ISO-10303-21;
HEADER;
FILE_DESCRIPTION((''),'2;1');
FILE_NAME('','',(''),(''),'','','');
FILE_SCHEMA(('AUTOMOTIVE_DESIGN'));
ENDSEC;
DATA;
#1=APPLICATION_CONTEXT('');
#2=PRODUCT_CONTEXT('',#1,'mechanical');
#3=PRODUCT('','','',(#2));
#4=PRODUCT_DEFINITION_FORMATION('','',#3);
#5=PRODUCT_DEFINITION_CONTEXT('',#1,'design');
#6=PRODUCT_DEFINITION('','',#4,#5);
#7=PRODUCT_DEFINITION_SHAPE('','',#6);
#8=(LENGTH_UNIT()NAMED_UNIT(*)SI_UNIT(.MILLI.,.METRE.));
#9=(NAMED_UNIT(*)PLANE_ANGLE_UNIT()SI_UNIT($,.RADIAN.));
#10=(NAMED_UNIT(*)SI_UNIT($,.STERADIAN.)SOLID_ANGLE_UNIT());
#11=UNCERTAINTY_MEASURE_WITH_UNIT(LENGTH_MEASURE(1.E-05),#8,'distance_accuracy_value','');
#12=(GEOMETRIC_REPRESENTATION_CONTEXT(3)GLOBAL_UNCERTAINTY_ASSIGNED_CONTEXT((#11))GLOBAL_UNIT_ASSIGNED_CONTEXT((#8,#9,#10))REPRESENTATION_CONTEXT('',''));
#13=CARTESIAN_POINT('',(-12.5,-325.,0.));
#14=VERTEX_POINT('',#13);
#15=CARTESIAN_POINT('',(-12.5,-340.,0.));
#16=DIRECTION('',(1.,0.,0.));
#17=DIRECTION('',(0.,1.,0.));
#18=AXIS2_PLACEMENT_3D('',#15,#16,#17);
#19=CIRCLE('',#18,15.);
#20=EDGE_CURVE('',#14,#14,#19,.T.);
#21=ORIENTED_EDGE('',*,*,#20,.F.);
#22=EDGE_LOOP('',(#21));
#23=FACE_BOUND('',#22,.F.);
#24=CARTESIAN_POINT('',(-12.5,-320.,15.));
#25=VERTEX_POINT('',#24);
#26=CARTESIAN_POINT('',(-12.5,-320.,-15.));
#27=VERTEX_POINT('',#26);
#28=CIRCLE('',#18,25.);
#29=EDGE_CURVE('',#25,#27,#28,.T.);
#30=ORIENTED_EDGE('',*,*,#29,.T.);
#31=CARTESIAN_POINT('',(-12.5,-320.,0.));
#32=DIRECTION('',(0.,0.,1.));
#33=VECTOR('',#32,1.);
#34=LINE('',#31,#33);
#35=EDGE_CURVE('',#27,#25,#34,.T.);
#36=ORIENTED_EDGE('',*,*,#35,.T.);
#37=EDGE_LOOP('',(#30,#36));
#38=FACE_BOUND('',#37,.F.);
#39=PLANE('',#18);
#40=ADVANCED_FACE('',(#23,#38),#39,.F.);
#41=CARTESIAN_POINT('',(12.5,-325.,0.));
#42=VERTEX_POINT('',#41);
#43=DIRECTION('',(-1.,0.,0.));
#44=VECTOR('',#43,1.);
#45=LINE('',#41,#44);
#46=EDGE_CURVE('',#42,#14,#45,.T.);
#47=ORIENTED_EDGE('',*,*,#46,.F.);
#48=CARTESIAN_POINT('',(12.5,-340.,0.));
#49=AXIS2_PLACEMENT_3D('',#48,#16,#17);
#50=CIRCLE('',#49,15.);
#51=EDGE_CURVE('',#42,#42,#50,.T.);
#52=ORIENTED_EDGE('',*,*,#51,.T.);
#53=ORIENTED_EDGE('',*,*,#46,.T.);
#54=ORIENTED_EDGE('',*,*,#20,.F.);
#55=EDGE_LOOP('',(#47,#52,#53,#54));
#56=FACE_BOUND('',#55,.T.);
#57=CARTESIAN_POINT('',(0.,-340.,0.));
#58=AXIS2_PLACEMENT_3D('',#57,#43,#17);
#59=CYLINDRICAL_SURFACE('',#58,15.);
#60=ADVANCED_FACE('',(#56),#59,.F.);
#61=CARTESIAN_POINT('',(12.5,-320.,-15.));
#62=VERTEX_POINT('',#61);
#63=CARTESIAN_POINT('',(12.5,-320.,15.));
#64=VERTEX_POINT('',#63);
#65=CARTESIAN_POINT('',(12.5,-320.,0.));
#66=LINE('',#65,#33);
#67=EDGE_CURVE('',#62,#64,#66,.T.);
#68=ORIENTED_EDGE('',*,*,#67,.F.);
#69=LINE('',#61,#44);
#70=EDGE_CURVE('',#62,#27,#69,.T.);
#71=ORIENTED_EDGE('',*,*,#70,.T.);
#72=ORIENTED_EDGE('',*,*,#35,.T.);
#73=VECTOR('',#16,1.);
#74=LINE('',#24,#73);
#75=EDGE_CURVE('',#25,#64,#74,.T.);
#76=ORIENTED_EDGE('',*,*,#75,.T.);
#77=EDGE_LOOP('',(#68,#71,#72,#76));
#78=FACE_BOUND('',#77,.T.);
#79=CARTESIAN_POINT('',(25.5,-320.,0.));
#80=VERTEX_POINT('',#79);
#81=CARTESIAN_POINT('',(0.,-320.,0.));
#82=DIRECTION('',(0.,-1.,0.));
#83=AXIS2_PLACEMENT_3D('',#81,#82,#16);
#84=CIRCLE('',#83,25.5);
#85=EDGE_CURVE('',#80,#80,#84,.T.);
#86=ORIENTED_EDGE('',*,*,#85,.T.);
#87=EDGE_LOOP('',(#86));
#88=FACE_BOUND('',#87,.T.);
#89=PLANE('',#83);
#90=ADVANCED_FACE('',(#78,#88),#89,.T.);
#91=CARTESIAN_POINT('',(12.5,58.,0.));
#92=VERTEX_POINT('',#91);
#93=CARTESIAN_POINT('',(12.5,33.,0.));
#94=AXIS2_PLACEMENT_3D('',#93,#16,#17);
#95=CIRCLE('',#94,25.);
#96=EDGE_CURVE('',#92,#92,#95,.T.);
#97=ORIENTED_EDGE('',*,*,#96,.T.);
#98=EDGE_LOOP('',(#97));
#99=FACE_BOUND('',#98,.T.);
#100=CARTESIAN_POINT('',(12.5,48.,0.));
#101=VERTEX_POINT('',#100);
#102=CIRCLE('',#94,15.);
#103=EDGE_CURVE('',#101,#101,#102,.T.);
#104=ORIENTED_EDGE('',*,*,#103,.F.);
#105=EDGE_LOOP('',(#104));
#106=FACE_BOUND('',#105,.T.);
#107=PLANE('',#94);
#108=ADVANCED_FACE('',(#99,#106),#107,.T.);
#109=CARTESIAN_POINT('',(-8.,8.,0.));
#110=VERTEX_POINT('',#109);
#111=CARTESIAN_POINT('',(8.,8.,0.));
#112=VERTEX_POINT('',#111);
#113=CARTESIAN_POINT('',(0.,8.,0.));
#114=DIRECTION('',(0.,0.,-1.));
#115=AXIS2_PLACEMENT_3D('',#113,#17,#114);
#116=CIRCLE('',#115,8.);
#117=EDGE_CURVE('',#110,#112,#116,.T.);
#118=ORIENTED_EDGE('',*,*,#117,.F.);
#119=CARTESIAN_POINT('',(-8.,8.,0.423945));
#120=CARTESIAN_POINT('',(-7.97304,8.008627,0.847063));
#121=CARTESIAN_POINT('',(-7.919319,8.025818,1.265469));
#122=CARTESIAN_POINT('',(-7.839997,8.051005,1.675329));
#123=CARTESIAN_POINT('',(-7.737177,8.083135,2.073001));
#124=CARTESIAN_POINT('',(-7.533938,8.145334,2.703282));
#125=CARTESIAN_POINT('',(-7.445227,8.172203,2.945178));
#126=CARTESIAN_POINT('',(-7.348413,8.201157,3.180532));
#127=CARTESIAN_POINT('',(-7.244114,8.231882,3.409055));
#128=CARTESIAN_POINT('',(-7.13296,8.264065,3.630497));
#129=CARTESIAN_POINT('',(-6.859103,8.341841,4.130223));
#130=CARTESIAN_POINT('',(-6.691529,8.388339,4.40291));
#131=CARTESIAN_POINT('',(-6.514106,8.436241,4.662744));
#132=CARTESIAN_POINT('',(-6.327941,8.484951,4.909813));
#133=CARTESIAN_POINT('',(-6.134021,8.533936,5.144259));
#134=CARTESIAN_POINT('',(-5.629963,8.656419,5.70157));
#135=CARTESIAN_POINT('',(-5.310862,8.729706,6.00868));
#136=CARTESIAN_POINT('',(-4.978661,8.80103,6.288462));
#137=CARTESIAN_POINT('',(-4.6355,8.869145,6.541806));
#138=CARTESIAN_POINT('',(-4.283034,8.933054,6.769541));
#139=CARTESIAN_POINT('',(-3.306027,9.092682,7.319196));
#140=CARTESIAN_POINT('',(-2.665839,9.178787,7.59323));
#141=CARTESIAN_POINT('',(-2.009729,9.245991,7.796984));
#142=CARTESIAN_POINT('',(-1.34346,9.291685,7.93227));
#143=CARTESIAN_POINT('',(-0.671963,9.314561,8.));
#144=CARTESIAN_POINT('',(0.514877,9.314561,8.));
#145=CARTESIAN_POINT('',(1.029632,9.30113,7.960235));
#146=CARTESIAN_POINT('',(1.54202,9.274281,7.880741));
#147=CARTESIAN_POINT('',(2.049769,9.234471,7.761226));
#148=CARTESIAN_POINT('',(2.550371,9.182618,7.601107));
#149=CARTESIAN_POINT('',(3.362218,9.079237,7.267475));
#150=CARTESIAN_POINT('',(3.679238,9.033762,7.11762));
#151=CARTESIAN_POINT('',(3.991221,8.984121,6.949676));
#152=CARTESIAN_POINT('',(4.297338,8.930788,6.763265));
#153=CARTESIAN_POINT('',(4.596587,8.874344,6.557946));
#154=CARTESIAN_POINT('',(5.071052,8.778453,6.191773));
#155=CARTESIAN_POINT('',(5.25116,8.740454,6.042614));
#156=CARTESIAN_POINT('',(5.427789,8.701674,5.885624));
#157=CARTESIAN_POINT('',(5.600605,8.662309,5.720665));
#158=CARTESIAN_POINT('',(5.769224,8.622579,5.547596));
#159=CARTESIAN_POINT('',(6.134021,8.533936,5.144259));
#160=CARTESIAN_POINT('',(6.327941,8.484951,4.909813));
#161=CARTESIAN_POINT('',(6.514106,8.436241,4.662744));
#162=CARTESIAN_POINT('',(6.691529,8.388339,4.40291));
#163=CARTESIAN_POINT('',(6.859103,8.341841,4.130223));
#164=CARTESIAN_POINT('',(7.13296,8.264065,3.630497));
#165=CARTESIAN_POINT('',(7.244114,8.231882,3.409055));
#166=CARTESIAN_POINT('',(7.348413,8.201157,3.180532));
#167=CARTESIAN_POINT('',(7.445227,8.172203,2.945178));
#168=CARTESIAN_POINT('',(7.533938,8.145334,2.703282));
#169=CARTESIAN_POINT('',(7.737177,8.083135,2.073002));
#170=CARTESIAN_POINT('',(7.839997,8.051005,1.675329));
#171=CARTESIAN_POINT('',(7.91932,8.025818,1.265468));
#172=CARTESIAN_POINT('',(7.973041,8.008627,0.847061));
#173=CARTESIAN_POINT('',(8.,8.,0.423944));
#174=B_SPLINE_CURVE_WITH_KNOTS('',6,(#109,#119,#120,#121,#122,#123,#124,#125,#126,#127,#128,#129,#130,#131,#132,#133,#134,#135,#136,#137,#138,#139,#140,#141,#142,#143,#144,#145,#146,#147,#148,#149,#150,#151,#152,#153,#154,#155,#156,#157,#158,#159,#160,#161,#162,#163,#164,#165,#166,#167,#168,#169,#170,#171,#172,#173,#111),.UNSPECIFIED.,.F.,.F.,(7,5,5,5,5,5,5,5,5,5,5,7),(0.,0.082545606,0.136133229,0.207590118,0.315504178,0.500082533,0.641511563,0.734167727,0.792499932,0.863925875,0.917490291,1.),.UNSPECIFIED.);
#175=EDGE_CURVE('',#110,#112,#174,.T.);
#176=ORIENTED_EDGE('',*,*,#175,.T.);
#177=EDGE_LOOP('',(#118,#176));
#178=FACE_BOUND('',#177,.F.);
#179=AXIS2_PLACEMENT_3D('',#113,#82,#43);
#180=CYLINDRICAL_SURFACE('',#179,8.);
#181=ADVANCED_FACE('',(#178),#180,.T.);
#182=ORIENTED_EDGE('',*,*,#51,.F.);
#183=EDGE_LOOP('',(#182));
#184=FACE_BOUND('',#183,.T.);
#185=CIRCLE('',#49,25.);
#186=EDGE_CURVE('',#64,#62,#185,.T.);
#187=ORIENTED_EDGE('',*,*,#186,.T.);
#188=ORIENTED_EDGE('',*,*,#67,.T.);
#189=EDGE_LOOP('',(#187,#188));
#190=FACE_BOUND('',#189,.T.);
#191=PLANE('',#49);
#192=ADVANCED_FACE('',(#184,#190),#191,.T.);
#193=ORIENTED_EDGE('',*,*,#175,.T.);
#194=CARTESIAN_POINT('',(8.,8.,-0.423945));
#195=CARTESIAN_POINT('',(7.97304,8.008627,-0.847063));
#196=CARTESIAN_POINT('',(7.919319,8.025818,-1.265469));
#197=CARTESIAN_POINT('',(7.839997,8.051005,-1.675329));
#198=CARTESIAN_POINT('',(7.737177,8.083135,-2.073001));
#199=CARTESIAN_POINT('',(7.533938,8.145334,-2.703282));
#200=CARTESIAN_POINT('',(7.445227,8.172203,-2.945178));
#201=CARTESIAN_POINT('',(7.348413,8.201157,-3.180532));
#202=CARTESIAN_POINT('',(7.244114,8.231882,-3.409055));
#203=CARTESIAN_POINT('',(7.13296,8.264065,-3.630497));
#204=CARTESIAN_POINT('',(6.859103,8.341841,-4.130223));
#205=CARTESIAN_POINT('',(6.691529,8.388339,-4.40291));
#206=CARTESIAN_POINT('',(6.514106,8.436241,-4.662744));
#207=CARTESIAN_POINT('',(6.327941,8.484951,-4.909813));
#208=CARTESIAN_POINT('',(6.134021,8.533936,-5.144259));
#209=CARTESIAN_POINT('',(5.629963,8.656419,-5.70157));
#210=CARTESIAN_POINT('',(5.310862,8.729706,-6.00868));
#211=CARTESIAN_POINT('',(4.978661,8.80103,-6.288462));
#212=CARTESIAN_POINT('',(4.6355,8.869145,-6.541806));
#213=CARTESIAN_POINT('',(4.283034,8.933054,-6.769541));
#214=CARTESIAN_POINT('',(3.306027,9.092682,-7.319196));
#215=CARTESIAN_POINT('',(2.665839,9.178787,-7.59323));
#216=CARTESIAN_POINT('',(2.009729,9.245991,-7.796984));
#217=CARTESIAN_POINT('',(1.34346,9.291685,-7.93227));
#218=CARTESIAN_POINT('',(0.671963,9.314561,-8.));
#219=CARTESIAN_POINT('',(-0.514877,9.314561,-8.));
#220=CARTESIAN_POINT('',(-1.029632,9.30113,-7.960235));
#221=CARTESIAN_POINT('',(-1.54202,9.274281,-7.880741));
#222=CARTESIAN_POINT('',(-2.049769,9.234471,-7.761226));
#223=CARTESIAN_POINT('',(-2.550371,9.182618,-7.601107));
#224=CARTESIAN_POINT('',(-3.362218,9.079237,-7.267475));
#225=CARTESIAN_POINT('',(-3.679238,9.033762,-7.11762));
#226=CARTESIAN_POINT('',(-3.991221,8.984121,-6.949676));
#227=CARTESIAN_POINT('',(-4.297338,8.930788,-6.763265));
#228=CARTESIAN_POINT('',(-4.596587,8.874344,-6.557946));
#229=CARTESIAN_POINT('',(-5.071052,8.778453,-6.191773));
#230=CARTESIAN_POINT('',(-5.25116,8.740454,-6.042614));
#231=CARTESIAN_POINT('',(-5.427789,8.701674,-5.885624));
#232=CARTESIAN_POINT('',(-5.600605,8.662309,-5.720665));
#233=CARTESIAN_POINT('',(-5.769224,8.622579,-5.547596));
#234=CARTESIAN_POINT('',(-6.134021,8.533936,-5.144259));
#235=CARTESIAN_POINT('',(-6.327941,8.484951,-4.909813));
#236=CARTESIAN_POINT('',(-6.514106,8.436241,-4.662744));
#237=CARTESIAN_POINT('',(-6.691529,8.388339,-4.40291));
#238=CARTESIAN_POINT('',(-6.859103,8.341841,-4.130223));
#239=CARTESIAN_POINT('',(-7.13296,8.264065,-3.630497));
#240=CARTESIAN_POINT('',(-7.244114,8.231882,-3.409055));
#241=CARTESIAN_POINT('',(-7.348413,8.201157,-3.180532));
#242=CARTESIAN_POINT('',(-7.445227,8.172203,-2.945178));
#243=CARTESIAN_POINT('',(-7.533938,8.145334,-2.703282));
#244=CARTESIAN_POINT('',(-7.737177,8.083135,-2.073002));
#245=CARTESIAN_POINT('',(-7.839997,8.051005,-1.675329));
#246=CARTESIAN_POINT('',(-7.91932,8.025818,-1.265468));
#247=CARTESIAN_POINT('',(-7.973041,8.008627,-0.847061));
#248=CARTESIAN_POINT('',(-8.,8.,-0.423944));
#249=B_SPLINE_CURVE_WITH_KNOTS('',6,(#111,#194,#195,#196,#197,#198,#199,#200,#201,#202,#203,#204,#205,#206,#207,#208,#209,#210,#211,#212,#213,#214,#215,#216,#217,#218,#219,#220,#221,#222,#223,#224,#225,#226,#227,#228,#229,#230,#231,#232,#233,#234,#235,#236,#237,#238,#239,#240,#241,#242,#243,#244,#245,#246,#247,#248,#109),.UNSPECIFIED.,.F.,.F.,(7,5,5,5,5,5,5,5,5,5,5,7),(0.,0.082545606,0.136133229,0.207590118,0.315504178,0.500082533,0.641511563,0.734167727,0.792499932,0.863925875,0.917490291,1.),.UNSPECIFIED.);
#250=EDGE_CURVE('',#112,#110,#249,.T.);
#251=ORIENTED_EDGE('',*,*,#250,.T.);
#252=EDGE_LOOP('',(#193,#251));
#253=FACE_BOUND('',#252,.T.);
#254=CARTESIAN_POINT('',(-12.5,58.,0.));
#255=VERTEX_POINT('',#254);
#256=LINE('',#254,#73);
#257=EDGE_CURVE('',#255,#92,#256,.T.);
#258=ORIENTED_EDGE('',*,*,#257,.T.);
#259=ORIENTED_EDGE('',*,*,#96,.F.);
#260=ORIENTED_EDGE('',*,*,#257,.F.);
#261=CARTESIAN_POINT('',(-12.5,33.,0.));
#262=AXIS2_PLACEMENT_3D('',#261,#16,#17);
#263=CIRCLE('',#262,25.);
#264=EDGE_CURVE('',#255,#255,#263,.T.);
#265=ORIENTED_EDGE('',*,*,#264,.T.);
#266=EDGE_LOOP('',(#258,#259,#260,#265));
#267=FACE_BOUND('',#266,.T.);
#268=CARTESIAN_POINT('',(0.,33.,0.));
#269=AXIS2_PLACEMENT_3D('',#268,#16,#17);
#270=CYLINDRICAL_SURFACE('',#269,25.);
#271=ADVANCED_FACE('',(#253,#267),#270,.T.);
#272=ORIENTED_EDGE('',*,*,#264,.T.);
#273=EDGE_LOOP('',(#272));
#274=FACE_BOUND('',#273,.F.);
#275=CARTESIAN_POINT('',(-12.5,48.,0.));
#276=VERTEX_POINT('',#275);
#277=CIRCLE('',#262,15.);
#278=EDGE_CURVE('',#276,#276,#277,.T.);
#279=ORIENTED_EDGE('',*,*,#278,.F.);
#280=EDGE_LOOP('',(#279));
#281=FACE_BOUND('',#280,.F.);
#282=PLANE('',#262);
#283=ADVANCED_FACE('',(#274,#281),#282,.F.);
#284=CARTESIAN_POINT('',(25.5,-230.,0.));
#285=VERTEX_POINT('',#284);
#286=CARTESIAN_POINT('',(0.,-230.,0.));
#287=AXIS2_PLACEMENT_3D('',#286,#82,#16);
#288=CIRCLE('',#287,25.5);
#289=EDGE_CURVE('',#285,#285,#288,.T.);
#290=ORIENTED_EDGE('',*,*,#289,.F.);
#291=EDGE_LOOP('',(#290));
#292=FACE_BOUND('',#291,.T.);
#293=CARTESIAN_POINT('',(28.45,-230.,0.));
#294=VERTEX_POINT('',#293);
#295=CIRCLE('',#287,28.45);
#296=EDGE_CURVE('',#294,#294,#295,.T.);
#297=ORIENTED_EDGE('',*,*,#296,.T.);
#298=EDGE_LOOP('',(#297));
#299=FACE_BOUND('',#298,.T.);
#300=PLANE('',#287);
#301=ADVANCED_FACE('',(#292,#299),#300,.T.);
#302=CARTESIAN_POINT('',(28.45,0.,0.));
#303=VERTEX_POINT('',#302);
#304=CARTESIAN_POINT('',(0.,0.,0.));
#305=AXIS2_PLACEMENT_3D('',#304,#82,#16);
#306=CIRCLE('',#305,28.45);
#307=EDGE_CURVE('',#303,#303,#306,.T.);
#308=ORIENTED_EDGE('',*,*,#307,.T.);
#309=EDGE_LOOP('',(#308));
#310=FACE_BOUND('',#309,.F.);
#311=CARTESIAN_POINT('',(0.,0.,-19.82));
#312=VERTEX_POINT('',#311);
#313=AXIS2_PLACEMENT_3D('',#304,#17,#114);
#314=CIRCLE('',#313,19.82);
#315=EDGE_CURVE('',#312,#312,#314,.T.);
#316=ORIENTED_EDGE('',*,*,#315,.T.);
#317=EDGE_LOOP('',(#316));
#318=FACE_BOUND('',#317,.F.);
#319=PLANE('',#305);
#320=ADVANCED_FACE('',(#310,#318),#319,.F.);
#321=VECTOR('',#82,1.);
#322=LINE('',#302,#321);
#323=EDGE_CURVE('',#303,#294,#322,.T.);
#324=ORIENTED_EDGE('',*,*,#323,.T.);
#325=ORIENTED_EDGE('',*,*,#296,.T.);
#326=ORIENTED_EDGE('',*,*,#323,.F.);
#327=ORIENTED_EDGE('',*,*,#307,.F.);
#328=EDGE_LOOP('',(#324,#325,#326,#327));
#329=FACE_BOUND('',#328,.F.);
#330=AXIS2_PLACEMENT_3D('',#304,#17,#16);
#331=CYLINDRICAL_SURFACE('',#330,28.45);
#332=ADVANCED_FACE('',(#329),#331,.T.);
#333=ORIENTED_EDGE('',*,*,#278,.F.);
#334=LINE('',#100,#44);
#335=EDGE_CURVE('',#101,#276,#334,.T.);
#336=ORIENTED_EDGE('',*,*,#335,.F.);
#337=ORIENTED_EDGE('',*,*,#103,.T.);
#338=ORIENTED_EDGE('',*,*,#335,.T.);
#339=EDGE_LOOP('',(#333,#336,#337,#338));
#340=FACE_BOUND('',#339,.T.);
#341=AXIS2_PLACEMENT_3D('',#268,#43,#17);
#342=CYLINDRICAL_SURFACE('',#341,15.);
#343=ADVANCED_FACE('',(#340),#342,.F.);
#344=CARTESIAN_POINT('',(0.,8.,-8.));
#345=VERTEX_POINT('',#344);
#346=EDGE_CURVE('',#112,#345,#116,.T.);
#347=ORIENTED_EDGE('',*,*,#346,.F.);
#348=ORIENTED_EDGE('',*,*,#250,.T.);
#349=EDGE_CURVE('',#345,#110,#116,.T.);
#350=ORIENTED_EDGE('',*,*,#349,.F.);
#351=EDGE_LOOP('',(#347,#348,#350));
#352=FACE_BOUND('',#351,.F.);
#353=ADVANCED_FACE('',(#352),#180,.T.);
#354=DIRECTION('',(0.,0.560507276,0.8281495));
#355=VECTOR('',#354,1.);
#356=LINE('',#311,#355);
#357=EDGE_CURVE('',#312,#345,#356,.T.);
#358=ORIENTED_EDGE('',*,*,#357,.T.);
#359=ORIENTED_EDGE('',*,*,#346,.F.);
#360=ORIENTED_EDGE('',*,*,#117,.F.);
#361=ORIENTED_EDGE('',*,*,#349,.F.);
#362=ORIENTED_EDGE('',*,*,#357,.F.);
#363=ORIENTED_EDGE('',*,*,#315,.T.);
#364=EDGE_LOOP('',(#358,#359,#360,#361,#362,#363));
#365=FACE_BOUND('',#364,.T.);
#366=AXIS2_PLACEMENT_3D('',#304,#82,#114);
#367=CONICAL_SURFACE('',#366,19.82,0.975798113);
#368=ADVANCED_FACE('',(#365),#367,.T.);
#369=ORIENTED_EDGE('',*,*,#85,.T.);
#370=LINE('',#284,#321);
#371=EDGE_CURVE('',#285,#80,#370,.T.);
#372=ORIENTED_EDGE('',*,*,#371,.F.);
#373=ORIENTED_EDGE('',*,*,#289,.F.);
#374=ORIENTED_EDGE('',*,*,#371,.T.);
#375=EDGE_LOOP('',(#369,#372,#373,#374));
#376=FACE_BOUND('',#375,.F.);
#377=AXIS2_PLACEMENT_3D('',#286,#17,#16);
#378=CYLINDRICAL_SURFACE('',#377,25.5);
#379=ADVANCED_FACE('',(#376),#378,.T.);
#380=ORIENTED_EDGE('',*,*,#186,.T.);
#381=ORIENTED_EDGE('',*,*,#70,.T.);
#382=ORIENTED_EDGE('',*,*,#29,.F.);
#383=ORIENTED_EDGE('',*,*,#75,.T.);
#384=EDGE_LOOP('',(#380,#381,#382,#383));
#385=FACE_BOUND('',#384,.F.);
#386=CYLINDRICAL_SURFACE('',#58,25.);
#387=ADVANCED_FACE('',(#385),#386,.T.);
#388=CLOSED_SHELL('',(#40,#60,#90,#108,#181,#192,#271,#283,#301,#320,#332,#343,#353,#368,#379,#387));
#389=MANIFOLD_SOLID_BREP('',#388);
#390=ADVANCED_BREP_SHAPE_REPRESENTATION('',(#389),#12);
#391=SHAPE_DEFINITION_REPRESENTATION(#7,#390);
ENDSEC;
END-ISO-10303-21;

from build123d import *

# Parameters (mm, degrees)
F0_R      = 28.45
F1_DEPTH  = 230
F2_R      = 25.5
F3_DEPTH  = 90
F8_R      = 8
F9_DEPTH  = 5
F11_R     = 25
F11_R_2   = 15
F12_DEPTH = 12.5


with BuildPart() as f1:
    # F0 (on Front) → F1 (new body)
    with BuildSketch(Plane.XZ):
        Circle(F0_R)
    extrude(amount=F1_DEPTH)

    # F2 (on face) → F3 (join)
    with BuildSketch(Plane.XZ.offset(230)):
        Circle(F2_R)
    extrude(amount=F3_DEPTH)

    # F4 (on Right) → F5 (revolve)
    with BuildSketch(Plane.YZ):
        Polygon((-285, -21.45), (-285, 0), (-320, 0), (-320, -25.5), align=None)
    revolve(axis=Axis((0, -302.5, 0), (0, 1, 0)))

    # F6 (on Right) → F7 (revolve)
    with BuildSketch(Plane.YZ):
        Polygon((8, 0), (0, 0), (0, -19.82), (8, -8), align=None)
    revolve(axis=Axis((0, 4, 0), (0, 1, 0)))

    # F8 (on face) → F9 (join)
    with BuildSketch(Plane(origin=(0, 8, 0), x_dir=(-1, 0, 0), z_dir=(0, 1, 0))):
        Circle(F8_R)
    extrude(amount=F9_DEPTH)

    # F11 (on Right) → F12 (join, symmetric)
    with BuildSketch(Plane.YZ):
        with Locations((-340, 0)):
            Circle(F11_R)
        with Locations((-340, 0)):
            Circle(F11_R_2, mode=Mode.SUBTRACT)
        with Locations((33, 0)):
            Circle(F11_R)
        with Locations((33, 0)):
            Circle(F11_R_2, mode=Mode.SUBTRACT)
    extrude(amount=F12_DEPTH, both=True)


solid = f1.part
